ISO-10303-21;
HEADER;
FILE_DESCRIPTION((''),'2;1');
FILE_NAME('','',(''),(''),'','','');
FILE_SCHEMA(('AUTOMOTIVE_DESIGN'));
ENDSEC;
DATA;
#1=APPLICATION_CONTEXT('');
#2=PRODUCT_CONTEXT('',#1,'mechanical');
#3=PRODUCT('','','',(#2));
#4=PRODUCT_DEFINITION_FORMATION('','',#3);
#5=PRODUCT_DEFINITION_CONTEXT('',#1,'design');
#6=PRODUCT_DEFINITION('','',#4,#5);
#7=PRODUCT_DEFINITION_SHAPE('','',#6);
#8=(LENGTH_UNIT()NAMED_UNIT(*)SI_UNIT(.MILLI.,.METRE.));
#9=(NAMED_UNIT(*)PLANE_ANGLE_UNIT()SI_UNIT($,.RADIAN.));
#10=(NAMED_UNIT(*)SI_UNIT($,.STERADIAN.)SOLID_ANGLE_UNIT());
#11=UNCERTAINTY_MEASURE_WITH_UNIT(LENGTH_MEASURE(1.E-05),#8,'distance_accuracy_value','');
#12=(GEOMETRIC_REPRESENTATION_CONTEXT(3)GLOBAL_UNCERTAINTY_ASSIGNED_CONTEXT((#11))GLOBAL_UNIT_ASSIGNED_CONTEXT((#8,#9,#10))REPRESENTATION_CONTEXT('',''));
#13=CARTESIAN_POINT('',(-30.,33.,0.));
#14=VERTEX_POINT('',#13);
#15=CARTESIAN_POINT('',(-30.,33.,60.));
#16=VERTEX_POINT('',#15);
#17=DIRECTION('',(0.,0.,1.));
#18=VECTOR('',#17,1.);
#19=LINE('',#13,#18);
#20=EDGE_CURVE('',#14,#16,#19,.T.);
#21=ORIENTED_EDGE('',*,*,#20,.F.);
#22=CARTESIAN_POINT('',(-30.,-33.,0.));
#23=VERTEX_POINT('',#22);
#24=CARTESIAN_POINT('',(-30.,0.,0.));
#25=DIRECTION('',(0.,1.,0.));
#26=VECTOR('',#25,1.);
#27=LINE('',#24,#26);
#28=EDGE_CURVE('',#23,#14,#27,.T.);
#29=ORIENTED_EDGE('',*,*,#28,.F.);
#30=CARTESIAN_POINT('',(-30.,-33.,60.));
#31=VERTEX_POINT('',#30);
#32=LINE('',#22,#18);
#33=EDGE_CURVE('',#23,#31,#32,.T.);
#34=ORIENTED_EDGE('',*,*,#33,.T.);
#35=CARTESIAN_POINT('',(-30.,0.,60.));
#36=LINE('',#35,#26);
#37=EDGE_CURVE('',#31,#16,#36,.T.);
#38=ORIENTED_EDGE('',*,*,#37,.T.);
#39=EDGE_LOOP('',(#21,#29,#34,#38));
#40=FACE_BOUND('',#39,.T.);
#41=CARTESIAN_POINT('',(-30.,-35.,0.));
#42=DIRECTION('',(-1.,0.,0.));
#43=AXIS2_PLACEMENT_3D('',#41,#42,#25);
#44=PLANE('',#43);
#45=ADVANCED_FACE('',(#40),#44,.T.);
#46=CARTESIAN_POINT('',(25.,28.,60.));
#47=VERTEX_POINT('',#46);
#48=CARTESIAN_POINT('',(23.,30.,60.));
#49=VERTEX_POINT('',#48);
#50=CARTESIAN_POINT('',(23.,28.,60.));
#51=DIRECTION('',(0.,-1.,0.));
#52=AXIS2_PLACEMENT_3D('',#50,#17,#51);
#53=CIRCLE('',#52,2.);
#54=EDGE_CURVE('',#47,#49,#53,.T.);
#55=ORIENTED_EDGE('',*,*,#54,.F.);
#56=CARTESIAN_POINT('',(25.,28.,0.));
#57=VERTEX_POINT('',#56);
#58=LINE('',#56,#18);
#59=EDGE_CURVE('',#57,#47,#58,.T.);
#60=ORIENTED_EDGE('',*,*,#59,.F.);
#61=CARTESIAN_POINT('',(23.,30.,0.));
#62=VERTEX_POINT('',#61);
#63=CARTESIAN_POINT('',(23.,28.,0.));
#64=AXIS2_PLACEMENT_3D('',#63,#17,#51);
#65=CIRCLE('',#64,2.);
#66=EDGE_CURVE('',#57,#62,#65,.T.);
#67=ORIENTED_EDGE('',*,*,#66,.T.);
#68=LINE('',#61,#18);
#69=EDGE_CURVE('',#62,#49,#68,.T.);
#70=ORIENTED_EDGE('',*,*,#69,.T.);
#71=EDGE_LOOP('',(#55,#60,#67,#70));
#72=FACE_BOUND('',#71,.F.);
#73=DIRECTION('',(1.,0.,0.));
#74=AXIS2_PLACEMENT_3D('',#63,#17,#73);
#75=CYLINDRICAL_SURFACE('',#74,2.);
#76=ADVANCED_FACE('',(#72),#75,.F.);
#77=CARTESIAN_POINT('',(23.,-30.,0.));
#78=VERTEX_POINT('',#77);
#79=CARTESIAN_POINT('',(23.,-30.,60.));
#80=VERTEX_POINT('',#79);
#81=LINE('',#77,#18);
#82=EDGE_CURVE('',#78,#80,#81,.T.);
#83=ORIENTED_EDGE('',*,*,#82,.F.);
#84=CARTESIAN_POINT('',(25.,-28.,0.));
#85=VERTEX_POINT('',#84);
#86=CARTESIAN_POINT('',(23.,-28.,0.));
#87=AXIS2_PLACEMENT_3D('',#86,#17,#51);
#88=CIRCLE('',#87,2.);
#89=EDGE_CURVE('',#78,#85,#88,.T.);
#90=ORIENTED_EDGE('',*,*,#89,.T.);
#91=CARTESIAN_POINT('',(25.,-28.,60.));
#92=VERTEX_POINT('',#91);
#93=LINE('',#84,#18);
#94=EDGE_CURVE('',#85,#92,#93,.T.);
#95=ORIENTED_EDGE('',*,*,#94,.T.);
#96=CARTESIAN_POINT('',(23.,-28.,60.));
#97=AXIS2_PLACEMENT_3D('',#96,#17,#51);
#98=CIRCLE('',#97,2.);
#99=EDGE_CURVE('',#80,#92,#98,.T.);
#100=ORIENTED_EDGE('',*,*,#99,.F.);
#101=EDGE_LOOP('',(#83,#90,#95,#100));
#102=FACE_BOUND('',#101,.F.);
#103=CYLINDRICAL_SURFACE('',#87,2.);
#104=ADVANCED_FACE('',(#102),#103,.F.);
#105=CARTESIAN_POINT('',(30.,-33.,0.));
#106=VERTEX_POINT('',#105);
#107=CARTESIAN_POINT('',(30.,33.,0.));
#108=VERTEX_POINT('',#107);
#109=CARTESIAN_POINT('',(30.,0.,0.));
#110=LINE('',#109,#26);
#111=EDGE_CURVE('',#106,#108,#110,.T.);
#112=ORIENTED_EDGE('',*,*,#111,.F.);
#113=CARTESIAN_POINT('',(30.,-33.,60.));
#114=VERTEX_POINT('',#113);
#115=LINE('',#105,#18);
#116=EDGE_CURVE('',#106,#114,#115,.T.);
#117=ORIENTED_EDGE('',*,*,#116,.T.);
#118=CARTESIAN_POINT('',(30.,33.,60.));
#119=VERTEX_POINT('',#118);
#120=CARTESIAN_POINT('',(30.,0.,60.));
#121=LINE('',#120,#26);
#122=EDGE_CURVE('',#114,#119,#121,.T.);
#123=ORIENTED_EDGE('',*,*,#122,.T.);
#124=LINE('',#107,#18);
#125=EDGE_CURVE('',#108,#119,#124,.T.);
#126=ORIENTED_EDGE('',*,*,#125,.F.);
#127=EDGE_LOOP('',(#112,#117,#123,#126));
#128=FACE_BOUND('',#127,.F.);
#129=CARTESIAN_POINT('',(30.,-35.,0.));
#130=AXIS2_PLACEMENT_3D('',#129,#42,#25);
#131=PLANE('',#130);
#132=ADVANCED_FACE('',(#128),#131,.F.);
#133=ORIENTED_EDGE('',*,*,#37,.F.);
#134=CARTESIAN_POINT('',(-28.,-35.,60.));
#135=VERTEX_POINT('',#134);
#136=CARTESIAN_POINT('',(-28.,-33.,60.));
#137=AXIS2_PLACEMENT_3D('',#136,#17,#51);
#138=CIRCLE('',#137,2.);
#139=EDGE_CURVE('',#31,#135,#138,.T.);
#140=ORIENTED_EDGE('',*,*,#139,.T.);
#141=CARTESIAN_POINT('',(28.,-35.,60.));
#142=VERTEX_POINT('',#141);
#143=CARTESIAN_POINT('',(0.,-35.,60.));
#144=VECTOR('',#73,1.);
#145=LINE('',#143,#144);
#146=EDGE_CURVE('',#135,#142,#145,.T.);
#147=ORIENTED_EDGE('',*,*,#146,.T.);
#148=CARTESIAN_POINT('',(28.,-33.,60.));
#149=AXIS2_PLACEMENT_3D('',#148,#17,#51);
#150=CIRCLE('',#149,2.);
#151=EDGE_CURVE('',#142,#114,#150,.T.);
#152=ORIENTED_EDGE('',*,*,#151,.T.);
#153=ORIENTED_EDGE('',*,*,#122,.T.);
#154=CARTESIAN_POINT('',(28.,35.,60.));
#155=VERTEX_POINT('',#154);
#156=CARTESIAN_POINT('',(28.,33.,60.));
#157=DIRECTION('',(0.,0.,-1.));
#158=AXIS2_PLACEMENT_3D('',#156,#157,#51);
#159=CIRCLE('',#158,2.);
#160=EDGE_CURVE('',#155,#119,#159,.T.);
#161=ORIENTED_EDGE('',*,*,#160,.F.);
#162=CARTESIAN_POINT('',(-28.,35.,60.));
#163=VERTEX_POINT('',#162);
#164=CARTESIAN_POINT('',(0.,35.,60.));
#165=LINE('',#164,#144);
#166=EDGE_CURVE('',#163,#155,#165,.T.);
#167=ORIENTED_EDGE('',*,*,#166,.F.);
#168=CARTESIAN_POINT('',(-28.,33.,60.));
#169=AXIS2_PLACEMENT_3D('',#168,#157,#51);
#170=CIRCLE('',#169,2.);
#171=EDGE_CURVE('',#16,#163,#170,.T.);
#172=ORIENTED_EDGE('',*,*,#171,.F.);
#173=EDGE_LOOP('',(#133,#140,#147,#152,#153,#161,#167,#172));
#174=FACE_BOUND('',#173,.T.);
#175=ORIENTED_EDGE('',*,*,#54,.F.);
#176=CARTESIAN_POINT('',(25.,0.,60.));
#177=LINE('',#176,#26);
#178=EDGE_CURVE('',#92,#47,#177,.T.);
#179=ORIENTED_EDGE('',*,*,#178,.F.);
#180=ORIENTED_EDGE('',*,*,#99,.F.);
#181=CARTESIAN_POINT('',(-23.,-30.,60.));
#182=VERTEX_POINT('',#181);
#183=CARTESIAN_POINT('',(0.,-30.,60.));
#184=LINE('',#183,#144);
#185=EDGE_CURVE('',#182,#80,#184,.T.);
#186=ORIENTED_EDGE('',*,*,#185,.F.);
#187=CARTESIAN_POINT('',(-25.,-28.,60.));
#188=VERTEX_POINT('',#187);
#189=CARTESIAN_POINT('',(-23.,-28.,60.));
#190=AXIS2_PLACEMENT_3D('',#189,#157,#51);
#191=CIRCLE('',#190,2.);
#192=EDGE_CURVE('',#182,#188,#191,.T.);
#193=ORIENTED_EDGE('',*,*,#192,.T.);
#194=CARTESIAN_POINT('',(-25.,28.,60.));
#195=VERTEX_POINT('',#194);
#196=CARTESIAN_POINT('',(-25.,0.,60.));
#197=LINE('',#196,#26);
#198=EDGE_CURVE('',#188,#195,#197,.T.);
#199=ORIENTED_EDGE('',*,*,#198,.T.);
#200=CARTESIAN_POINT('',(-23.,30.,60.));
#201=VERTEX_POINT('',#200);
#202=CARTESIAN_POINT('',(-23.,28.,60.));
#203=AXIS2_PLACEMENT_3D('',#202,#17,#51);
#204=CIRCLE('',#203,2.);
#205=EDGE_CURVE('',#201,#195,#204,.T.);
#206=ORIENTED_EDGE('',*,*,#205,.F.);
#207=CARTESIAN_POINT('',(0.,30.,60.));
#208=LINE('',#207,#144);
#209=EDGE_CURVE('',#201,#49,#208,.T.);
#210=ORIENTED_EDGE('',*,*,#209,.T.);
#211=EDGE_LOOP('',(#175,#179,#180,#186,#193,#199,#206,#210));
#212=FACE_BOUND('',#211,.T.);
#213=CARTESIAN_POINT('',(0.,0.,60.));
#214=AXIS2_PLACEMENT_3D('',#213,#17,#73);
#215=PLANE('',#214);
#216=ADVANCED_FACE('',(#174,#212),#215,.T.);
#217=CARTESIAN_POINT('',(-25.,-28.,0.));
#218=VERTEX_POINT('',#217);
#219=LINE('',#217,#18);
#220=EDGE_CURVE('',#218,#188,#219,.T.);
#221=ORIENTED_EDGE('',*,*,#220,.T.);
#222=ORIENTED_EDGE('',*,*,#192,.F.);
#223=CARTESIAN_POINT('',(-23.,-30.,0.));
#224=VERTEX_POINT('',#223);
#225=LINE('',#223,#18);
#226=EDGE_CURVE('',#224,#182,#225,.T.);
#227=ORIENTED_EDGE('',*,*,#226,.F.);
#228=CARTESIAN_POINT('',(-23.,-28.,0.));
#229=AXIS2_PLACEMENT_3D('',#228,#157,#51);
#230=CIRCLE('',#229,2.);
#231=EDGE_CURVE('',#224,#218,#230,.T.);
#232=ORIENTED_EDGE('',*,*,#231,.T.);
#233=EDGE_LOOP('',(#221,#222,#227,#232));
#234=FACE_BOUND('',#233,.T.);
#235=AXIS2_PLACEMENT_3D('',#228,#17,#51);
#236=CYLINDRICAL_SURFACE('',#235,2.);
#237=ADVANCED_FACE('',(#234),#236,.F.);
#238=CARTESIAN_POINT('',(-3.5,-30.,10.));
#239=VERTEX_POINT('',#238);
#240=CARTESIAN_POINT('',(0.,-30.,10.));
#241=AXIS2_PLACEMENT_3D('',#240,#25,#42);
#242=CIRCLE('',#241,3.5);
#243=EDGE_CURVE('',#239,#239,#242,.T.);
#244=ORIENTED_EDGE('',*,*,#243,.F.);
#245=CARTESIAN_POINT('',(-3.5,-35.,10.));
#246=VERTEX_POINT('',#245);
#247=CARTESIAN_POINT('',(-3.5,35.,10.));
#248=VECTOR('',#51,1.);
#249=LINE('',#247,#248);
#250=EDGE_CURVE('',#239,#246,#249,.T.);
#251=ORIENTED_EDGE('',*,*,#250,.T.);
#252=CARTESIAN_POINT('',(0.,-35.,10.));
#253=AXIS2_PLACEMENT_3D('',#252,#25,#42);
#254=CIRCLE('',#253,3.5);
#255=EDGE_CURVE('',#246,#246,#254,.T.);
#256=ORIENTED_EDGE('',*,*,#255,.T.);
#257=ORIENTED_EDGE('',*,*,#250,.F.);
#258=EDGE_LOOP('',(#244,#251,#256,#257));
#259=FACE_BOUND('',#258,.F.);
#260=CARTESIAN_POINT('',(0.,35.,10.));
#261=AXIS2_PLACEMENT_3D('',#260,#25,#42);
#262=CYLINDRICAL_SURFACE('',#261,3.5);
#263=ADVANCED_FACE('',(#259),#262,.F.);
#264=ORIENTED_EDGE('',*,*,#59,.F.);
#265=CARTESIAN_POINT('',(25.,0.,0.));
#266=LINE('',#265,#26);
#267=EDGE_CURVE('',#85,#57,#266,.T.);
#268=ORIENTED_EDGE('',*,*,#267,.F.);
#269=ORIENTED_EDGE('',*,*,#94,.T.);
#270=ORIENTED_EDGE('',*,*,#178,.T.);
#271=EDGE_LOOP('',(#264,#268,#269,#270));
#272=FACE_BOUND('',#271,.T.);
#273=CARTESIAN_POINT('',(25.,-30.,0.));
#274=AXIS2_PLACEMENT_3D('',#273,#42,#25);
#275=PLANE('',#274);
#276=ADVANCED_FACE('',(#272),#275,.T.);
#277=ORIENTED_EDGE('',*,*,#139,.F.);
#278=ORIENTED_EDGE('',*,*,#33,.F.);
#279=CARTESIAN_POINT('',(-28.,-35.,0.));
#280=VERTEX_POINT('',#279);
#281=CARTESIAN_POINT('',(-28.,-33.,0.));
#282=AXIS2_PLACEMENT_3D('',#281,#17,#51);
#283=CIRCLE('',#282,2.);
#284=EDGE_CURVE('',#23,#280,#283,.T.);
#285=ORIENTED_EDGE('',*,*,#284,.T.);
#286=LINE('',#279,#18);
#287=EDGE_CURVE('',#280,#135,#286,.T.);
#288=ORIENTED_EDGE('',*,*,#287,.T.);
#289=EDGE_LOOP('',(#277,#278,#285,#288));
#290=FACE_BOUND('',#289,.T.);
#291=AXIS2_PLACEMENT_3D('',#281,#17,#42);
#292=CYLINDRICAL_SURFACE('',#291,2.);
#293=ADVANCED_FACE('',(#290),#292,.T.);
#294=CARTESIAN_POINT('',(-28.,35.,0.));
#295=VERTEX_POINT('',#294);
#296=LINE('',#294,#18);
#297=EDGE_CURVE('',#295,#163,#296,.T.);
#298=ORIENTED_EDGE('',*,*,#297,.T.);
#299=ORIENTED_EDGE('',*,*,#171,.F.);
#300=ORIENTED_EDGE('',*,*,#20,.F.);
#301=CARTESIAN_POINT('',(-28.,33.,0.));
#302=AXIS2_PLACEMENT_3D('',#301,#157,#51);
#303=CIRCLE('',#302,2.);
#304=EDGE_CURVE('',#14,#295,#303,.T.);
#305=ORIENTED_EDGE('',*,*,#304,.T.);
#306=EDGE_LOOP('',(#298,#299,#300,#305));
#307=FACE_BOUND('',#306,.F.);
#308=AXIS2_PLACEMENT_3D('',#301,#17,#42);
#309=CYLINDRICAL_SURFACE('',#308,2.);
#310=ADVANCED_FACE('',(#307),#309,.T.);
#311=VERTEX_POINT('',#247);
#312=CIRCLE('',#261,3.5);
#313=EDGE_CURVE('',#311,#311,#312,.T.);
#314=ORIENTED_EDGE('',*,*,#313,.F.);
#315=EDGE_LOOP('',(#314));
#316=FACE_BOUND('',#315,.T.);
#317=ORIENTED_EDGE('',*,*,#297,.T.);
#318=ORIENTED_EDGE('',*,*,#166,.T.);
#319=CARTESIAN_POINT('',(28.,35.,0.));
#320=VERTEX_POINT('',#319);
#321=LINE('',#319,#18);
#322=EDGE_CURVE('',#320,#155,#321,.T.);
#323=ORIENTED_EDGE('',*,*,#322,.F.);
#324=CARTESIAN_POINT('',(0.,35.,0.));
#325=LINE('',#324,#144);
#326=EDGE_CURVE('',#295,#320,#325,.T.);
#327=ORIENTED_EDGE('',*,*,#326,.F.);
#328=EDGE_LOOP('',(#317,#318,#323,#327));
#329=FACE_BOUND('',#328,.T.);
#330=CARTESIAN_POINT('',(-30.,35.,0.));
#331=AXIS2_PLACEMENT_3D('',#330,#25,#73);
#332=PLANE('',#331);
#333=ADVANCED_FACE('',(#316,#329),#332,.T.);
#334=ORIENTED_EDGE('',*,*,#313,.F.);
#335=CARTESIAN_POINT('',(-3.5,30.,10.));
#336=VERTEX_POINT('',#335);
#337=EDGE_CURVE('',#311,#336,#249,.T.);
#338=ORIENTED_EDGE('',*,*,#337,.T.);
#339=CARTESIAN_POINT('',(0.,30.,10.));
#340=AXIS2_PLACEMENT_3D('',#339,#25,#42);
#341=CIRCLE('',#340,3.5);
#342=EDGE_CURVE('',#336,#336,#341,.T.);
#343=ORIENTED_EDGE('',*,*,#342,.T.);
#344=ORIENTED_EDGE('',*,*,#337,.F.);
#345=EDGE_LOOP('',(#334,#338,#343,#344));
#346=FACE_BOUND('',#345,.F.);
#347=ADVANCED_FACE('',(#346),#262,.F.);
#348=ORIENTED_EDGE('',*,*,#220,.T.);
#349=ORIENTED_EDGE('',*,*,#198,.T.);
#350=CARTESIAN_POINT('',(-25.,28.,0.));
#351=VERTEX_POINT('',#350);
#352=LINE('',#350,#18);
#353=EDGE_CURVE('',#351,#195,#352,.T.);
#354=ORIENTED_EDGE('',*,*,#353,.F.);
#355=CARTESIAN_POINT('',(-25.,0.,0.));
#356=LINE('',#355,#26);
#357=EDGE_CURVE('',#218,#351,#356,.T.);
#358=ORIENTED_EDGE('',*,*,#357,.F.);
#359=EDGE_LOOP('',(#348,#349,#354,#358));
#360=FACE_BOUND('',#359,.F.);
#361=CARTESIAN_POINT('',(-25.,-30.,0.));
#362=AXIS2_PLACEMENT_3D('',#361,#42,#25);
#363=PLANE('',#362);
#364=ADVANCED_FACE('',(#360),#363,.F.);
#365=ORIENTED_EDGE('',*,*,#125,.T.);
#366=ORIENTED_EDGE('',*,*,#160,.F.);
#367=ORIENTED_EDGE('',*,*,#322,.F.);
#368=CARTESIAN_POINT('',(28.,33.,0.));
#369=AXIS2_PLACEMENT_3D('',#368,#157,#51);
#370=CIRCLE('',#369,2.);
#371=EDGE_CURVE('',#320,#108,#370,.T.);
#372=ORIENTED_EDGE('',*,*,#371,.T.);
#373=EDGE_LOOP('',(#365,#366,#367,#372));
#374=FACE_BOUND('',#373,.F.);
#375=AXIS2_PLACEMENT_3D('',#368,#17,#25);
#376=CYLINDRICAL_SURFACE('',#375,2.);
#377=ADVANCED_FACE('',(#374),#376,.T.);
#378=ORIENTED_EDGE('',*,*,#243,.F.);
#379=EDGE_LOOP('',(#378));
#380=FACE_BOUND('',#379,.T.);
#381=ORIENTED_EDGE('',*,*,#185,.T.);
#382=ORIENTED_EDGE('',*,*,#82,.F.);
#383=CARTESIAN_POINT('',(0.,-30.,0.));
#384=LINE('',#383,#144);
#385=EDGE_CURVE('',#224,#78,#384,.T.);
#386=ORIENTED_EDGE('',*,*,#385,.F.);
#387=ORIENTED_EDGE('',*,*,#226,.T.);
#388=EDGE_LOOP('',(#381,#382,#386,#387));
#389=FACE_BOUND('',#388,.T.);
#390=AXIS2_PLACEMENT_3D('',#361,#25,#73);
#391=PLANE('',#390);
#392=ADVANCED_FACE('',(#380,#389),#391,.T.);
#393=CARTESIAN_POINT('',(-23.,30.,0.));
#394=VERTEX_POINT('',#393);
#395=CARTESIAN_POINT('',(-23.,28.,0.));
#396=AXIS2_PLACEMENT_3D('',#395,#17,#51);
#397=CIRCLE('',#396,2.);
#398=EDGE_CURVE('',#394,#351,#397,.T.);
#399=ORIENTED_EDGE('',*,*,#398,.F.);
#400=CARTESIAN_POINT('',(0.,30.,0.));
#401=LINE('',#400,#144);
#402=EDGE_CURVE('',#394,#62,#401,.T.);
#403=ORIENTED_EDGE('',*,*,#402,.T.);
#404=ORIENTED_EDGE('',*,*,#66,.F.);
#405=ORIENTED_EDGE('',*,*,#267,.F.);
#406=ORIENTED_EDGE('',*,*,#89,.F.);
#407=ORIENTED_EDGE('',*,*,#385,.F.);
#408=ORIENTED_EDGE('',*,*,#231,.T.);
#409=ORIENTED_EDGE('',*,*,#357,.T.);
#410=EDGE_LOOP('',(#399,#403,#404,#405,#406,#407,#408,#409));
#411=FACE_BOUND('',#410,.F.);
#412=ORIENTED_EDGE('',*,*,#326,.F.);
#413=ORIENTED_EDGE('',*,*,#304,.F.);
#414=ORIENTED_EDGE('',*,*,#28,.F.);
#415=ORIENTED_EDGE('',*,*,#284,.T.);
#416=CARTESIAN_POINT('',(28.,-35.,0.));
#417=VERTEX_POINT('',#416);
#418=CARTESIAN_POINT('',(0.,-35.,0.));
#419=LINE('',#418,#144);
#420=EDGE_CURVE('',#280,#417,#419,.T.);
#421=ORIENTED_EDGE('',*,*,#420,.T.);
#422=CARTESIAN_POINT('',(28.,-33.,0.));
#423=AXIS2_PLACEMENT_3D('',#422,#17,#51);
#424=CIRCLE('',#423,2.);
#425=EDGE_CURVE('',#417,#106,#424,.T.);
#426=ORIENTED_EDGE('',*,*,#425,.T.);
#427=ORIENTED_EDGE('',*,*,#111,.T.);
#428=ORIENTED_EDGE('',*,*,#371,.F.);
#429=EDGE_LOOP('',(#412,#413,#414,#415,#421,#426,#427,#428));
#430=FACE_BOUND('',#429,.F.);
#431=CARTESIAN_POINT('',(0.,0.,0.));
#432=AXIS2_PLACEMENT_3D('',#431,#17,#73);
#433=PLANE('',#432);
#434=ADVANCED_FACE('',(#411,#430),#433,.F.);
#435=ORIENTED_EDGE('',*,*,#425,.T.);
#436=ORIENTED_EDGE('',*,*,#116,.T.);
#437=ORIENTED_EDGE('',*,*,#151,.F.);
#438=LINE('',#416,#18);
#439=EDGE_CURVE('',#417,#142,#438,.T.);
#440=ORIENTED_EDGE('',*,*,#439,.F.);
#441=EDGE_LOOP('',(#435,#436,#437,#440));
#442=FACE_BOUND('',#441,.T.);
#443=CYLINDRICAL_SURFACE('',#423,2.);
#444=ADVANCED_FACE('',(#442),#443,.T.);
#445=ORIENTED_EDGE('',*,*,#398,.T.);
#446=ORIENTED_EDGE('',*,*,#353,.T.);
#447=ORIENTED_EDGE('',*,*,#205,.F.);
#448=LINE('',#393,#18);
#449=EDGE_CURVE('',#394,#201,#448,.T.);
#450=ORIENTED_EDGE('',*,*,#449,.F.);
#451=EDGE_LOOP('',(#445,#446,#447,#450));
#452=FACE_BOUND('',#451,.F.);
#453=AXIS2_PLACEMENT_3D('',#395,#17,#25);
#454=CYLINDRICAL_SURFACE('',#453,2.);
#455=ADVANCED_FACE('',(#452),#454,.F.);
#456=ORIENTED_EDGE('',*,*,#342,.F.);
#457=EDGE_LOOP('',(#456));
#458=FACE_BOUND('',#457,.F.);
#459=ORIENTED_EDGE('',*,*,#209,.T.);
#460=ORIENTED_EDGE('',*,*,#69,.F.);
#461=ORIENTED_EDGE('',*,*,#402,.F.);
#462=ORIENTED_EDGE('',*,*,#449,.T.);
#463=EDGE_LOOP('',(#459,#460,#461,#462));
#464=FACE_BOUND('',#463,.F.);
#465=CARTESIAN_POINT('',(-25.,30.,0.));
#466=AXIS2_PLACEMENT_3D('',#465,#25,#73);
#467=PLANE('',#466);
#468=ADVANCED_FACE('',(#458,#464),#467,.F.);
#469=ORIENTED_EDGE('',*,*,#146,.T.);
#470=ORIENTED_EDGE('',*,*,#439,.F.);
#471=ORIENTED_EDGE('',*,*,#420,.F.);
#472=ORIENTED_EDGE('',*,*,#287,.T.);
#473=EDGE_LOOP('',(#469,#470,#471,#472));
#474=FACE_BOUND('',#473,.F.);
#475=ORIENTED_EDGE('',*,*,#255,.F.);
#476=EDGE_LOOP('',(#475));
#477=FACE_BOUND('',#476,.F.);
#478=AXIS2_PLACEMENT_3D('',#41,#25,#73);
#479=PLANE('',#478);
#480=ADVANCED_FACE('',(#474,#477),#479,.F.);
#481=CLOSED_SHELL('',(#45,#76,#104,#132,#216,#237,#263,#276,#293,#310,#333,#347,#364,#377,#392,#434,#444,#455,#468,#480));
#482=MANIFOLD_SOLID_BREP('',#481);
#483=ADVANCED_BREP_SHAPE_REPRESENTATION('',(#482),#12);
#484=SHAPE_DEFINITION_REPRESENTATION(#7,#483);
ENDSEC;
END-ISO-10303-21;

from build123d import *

# Parameters (mm, degrees)
F0_W     = 60
F0_H     = 70
F0_W_2   = 50
F0_H_2   = 60
F1_DEPTH = 60
F2_R     = 2
F3_R     = 3.5
F4_DEPTH = 70


with BuildPart() as f1:
    # F0 (on Top) → F1 (new body)
    with BuildSketch(Plane.XY):
        Rectangle(F0_W, F0_H)
        Rectangle(F0_W_2, F0_H_2, mode=Mode.SUBTRACT)
    extrude(amount=F1_DEPTH)

    # F2
    f2_edges = [f1.edges().sort_by_distance(p)[0] for p in [
        (30, 35, 30),
        (-30, 35, 30),
        (30, -35, 30),
        (-30, -35, 30),
        (-25, 30, 30),
        (-25, -30, 30),
        (25, -30, 30),
        (25, 30, 30),
    ]]
    fillet(f2_edges, radius=F2_R)

    # F3 (on face) → F4 (cut)
    with BuildSketch(Plane(origin=(0, 35, 0), x_dir=(-1, 0, 0), z_dir=(0, 1, 0))):
        with Locations((0, 10)):
            Circle(F3_R)
    extrude(amount=-F4_DEPTH, mode=Mode.SUBTRACT)


solid = f1.part
